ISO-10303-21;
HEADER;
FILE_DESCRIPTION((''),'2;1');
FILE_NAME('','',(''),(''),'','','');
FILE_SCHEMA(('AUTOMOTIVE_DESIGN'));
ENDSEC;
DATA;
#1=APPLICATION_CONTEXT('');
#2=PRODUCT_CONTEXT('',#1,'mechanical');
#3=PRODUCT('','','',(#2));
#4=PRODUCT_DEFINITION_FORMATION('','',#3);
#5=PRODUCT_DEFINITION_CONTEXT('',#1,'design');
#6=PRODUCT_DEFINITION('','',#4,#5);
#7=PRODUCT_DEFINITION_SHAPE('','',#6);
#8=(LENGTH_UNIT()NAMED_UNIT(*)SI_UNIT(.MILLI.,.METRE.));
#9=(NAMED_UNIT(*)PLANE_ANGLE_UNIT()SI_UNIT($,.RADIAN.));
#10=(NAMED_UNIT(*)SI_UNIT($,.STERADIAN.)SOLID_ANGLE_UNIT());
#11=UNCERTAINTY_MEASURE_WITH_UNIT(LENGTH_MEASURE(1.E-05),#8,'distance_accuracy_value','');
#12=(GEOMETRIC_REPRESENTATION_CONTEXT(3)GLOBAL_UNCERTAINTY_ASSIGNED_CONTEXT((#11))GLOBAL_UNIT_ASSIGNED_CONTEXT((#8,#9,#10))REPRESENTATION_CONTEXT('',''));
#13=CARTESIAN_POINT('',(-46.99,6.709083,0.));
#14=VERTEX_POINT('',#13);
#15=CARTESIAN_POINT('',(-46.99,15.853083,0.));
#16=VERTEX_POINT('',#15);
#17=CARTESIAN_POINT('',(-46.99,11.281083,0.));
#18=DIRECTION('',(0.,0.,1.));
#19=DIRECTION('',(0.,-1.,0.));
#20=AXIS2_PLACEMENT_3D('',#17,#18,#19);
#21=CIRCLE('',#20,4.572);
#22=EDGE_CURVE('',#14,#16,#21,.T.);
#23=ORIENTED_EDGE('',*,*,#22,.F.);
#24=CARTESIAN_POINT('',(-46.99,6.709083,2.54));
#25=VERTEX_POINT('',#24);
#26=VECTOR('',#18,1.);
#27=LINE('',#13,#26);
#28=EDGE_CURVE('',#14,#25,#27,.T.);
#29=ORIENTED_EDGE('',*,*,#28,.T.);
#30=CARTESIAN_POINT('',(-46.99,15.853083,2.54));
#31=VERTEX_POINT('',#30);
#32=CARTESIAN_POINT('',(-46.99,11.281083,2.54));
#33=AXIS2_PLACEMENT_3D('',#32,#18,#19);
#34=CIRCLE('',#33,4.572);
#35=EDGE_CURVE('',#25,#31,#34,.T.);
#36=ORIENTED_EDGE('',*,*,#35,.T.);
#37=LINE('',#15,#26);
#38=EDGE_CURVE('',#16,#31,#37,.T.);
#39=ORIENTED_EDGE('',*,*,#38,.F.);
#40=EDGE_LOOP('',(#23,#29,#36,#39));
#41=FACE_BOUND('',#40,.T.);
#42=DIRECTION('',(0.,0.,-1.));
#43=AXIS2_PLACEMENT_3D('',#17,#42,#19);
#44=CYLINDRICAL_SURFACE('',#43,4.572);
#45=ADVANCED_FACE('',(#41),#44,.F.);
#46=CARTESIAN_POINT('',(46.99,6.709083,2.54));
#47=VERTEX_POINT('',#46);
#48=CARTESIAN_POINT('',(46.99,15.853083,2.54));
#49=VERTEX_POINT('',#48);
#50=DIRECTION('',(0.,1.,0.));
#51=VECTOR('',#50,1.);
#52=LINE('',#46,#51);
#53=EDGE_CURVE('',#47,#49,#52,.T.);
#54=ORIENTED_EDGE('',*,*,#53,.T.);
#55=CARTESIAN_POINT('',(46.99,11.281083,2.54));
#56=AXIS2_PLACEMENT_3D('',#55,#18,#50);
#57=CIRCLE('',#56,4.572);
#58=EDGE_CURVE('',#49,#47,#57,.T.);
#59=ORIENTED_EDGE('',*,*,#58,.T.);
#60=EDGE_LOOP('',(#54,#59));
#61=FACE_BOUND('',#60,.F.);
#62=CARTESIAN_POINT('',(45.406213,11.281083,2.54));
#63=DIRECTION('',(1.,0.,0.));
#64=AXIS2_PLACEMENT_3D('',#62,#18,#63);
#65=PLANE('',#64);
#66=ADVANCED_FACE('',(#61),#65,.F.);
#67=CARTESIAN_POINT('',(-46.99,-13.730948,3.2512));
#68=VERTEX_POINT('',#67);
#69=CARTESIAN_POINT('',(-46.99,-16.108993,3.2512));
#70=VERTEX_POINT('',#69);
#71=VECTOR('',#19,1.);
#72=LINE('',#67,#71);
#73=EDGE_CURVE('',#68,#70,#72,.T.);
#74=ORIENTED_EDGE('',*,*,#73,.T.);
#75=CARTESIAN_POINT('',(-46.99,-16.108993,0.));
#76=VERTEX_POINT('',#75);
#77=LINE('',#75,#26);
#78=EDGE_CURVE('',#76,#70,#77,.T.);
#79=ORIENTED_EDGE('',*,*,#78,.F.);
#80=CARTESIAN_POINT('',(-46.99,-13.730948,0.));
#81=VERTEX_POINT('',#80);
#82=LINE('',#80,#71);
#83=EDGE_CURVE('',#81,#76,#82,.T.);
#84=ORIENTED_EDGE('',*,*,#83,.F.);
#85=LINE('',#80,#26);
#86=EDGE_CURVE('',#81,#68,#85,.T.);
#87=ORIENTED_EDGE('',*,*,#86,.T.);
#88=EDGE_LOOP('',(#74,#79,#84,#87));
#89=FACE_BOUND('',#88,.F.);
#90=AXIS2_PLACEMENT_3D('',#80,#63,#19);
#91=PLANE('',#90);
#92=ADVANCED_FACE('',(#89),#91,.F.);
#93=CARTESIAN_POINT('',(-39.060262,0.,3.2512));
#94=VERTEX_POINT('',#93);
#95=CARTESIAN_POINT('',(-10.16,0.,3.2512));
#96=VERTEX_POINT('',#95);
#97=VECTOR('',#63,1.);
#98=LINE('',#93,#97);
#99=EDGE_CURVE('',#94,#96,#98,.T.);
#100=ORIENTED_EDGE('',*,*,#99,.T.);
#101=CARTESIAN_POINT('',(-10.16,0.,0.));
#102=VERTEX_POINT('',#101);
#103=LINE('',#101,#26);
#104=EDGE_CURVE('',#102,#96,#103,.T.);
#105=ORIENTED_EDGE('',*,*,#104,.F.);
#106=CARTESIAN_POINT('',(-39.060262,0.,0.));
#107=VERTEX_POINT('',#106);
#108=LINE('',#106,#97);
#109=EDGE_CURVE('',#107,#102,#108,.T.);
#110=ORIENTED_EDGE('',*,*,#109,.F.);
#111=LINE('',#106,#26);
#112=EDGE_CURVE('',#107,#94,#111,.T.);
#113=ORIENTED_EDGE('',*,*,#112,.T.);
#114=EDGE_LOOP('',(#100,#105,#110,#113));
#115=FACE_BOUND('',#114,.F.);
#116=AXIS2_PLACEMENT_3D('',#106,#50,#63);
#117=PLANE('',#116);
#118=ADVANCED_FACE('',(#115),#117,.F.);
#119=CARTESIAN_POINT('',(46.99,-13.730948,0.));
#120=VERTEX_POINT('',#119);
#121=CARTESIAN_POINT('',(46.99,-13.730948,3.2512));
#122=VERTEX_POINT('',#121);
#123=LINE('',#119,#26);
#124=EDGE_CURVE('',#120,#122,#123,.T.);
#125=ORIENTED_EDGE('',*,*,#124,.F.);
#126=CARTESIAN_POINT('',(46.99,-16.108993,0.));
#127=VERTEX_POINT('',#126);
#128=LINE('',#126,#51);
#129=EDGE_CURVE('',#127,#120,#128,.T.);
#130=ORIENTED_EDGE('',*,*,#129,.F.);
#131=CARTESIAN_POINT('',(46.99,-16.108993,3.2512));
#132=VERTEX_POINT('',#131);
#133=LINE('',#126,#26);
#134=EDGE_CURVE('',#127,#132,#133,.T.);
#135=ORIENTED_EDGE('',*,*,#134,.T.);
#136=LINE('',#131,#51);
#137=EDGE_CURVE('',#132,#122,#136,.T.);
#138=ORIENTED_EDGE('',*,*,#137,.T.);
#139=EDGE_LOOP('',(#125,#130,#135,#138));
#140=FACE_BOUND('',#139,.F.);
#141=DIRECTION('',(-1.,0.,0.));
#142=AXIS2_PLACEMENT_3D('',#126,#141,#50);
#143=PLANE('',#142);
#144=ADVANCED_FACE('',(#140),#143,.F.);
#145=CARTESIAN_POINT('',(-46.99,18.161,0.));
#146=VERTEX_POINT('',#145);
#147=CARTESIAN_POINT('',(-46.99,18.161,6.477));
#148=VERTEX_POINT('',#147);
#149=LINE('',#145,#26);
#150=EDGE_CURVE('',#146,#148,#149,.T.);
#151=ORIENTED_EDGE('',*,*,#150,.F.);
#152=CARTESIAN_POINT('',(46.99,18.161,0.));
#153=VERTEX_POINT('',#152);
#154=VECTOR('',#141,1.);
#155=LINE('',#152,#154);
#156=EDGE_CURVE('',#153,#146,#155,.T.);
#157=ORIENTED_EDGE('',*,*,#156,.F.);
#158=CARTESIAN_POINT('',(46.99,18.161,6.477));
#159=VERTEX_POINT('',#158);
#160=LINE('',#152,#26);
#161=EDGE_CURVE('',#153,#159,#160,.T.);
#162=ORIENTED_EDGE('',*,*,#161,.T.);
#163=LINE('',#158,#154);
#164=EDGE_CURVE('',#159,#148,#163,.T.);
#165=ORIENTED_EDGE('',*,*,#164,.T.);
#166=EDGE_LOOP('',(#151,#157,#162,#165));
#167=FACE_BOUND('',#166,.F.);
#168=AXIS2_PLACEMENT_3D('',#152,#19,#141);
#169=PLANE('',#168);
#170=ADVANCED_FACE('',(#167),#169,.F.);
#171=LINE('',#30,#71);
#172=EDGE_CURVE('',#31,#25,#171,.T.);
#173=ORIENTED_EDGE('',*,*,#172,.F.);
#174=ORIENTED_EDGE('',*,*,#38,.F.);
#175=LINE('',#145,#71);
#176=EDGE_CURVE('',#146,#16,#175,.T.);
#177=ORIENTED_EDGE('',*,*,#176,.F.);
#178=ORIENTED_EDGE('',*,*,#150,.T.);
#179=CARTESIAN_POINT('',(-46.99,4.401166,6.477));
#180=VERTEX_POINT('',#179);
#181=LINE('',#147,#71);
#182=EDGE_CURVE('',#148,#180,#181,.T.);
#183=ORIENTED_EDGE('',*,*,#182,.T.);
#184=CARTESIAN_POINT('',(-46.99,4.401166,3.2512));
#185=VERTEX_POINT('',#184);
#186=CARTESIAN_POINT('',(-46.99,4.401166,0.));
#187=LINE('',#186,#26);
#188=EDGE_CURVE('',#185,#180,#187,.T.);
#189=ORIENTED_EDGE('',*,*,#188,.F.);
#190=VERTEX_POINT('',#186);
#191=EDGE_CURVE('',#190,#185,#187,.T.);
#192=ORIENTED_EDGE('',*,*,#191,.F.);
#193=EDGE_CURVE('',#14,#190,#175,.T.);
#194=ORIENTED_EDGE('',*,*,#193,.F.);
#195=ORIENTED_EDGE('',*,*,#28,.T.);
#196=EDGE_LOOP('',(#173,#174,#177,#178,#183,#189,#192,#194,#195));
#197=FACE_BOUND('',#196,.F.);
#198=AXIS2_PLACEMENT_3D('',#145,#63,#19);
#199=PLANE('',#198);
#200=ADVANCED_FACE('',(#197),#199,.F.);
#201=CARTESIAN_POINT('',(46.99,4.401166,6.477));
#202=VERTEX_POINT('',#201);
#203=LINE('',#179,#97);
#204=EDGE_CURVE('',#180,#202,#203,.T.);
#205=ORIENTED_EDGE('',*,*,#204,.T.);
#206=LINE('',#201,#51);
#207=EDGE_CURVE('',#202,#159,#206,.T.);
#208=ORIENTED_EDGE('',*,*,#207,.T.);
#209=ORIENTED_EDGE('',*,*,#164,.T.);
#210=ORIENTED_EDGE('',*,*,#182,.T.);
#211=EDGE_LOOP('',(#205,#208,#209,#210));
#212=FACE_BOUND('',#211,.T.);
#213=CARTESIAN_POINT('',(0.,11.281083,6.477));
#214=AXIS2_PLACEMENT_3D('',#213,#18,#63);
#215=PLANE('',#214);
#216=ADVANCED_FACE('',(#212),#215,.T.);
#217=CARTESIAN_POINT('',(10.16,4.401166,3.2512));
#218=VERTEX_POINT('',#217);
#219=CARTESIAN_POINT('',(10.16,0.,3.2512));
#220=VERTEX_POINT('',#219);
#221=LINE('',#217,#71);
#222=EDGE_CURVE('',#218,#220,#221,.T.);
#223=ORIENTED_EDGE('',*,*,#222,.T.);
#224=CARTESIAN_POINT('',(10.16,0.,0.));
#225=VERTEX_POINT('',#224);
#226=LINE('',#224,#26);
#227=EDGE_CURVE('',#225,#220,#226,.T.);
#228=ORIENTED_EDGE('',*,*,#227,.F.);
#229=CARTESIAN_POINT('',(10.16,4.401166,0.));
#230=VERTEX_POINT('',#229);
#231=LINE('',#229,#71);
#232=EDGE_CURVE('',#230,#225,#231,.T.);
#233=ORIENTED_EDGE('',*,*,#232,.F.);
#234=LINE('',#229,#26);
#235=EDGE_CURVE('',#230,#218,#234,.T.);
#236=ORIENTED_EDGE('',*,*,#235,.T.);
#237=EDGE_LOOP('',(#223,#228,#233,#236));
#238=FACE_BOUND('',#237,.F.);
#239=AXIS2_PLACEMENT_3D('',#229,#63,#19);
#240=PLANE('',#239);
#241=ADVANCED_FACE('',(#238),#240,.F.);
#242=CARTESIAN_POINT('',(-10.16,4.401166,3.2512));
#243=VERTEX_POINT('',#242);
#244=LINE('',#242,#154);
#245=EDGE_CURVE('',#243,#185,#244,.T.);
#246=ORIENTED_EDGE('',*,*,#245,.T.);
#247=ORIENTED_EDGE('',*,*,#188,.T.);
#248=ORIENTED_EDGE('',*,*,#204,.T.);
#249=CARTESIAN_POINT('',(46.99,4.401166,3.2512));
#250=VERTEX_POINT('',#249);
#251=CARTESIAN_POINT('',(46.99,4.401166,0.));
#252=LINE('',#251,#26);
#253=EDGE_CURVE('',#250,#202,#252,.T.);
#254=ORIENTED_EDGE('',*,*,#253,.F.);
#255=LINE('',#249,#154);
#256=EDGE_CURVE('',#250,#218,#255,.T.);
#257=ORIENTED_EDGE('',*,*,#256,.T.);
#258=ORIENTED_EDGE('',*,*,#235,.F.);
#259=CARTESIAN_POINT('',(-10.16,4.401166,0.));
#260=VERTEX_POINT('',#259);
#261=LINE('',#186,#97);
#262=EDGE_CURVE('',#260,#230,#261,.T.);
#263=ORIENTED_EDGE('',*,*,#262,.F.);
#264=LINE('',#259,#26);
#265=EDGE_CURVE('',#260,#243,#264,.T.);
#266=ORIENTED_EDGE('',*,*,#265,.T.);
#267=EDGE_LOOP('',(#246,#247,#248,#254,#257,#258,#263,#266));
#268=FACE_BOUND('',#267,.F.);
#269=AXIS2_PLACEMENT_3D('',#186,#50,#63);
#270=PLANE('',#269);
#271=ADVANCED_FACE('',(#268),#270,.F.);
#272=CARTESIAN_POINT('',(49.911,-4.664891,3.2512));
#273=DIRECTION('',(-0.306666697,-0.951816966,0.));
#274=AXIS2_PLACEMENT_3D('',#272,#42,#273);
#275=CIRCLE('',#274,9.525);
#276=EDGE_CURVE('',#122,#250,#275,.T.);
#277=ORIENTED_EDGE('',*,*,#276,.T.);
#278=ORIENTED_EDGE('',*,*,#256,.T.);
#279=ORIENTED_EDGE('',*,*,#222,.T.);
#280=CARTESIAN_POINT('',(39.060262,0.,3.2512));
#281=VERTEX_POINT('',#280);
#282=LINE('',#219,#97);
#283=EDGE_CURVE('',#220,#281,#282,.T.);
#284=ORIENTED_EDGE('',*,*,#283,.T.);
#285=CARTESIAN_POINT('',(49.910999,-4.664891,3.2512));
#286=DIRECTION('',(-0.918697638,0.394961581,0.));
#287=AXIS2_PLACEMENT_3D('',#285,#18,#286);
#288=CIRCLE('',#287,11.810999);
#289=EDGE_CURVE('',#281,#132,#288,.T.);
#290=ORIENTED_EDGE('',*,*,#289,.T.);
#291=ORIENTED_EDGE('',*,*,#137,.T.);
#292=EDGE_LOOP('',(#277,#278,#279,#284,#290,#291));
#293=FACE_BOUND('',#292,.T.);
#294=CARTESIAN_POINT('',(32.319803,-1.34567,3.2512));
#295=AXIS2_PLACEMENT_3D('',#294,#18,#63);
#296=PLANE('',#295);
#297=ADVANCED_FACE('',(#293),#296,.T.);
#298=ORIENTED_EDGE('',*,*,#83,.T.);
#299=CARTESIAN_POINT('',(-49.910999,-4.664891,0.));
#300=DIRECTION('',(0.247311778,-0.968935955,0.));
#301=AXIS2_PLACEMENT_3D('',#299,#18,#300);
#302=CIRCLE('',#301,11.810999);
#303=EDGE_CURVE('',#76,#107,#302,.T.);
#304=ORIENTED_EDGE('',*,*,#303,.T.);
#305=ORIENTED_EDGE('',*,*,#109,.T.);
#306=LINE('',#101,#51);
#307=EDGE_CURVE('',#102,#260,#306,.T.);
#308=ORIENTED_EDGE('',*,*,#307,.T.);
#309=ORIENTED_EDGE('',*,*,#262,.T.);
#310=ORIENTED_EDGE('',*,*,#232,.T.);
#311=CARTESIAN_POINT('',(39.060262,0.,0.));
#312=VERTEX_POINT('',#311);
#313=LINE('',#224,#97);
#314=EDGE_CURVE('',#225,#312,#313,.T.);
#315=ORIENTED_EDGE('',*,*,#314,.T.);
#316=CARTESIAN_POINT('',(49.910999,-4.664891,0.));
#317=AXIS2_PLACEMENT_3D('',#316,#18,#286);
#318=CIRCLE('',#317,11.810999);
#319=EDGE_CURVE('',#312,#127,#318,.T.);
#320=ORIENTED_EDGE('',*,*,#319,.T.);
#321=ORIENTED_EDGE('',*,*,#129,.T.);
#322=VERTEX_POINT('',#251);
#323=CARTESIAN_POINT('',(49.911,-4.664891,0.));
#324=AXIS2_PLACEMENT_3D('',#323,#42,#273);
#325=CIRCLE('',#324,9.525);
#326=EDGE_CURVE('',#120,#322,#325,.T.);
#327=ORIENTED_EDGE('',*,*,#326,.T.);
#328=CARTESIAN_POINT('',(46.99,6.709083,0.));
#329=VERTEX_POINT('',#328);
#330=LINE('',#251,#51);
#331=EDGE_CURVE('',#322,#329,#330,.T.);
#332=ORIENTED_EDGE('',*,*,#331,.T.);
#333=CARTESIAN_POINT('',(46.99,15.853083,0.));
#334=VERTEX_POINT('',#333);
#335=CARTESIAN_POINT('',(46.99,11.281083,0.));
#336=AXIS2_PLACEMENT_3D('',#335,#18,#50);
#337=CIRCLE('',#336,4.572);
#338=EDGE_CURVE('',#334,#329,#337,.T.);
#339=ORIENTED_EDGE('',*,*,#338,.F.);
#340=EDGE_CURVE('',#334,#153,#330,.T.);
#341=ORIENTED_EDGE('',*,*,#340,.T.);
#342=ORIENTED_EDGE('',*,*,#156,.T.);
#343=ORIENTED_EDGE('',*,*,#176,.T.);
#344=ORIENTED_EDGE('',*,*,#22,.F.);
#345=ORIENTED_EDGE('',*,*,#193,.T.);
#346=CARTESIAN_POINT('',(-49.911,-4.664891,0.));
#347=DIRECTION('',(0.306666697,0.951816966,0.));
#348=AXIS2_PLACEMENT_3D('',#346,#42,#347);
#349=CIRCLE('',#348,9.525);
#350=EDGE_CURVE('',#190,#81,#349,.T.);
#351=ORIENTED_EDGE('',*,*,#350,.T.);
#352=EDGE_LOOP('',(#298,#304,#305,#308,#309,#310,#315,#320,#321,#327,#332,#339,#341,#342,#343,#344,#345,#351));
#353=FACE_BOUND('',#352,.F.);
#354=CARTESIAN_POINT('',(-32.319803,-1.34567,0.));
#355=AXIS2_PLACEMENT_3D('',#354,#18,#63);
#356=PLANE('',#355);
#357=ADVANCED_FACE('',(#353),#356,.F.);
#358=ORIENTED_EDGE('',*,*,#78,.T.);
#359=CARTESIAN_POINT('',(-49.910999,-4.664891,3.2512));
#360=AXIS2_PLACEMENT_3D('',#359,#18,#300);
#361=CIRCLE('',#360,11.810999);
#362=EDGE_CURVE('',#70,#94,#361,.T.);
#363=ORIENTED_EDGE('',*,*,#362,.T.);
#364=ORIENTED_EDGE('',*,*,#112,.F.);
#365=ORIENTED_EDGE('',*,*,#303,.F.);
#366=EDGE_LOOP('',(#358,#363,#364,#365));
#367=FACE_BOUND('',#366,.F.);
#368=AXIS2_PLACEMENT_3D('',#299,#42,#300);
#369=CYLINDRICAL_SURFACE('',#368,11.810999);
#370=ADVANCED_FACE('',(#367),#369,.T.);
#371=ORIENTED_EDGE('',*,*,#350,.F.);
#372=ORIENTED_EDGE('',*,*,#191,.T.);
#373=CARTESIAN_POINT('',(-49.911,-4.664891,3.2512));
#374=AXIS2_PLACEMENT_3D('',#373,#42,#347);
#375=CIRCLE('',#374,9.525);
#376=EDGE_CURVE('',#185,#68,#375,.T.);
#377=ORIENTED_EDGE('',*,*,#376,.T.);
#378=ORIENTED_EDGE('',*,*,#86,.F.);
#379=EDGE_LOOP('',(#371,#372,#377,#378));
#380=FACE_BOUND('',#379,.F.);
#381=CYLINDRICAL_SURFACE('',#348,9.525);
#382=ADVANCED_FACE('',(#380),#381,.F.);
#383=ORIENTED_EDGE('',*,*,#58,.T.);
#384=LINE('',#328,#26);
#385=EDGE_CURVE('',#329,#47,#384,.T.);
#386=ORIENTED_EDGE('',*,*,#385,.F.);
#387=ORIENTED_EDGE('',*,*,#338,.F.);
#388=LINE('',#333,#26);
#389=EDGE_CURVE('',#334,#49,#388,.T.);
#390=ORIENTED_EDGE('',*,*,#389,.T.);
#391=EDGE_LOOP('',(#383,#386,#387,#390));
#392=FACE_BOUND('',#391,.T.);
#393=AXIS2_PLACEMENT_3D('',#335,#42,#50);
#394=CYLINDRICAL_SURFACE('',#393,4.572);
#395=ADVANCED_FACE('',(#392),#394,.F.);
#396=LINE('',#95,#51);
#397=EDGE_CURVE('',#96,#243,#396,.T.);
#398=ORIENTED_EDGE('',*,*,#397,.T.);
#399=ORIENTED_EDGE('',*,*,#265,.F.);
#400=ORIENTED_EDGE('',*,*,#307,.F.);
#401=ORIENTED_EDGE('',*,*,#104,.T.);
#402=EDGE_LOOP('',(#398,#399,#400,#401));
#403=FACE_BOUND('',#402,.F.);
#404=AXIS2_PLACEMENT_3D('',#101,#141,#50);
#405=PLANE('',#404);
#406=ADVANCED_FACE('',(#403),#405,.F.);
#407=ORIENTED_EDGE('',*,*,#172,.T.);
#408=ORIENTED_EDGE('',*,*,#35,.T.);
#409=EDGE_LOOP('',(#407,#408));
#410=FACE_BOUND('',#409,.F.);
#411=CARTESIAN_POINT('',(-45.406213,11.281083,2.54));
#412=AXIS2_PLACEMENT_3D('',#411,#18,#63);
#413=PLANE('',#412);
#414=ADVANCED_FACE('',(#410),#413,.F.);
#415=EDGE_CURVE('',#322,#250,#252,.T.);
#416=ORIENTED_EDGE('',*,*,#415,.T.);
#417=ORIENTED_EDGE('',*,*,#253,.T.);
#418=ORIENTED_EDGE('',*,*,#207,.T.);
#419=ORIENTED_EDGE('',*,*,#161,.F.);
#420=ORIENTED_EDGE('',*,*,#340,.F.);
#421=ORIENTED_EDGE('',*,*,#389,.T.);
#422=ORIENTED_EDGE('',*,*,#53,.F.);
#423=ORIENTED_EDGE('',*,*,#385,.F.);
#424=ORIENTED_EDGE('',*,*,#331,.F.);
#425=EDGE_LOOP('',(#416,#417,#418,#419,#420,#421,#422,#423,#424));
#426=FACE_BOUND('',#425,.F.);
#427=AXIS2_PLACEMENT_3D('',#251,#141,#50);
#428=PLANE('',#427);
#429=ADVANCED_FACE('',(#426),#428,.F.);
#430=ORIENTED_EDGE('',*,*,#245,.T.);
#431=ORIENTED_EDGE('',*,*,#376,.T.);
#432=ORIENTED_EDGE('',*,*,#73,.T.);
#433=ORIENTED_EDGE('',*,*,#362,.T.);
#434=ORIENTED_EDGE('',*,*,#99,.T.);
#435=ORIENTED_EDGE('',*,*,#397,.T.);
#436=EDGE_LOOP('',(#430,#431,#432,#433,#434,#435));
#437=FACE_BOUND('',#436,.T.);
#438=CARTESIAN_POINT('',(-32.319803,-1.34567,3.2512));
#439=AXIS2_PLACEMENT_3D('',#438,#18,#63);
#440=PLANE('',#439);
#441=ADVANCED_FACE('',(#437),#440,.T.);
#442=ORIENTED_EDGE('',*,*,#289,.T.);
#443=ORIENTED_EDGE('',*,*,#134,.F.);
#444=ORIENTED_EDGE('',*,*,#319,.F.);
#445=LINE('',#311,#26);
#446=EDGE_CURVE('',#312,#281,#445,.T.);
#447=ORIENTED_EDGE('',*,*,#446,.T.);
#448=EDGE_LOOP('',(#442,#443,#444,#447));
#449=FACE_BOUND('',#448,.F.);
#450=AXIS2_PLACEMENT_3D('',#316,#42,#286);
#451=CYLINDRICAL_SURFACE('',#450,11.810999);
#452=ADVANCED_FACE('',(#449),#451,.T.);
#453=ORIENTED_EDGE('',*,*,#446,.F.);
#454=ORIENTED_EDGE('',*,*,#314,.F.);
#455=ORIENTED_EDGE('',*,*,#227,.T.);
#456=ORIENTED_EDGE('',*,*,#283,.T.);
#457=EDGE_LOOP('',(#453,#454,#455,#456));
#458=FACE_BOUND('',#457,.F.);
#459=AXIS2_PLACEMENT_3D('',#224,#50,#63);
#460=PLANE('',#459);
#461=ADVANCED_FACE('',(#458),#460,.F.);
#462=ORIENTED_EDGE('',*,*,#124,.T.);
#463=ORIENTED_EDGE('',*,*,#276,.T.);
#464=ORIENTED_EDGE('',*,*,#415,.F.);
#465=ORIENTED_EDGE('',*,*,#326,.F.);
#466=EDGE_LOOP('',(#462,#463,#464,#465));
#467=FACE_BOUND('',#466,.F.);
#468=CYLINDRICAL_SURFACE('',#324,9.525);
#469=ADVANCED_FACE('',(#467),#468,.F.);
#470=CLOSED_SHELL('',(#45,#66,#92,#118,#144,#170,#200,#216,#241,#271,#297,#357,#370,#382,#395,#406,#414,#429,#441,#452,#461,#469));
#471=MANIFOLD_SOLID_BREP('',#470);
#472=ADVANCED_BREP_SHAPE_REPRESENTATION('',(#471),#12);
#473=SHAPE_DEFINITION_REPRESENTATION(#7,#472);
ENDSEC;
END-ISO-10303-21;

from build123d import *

# Parameters (mm, degrees)
F1_DEPTH = 6.477
F2_DEPTH = 3.2512
F4_DEPTH = 2.54


with BuildPart() as f1:
    # F0 (on Top) → F1 (new body)
    with BuildSketch(Plane.XY):
        Polygon((46.99, 18.161), (-46.99, 18.161), (-46.99, 4.401166), (-10.16, 4.401166), (10.16, 4.401166), (46.99, 4.401166), align=None)
    extrude(amount=F1_DEPTH)

    # F0 (on Top) → F2 (join)
    with BuildSketch(Plane.XY):
        with BuildLine():
            Line((-10.16, 4.401166), (-46.99, 4.401166))
            ThreePointArc((-46.99, 4.401166), (-40.386, -4.664891), (-46.99, -13.730948))
            Line((-46.99, -13.730948), (-46.99, -16.108993))
            ThreePointArc((-46.99, -16.108993), (-39.314297, -9.881174), (-39.060262, 0))
            Line((-39.060262, 0), (-10.16, 0))
            Line((-10.16, 0), (-10.16, 4.401166))
        make_face()
        with BuildLine():
            ThreePointArc((46.99, -13.730948), (40.386, -4.664891), (46.99, 4.401166))
            Line((46.99, 4.401166), (10.16, 4.401166))
            Line((10.16, 4.401166), (10.16, 0))
            Line((10.16, 0), (39.060262, 0))
            ThreePointArc((39.060262, 0), (39.314297, -9.881174), (46.99, -16.108993))
            Line((46.99, -16.108993), (46.99, -13.730948))
        make_face()
    extrude(amount=F2_DEPTH)

    # F3 (on face) → F4 (cut)
    with BuildSketch(Plane.XY):
        with BuildLine():
            Line((-46.99, 15.853083), (-46.99, 6.709083))
            ThreePointArc((-46.99, 6.709083), (-42.418, 11.281083), (-46.99, 15.853083))
        make_face()
        with BuildLine():
            ThreePointArc((46.99, 15.853083), (42.418, 11.281083), (46.99, 6.709083))
            Line((46.99, 6.709083), (46.99, 15.853083))
        make_face()
    extrude(amount=F4_DEPTH, mode=Mode.SUBTRACT)


solid = f1.part
